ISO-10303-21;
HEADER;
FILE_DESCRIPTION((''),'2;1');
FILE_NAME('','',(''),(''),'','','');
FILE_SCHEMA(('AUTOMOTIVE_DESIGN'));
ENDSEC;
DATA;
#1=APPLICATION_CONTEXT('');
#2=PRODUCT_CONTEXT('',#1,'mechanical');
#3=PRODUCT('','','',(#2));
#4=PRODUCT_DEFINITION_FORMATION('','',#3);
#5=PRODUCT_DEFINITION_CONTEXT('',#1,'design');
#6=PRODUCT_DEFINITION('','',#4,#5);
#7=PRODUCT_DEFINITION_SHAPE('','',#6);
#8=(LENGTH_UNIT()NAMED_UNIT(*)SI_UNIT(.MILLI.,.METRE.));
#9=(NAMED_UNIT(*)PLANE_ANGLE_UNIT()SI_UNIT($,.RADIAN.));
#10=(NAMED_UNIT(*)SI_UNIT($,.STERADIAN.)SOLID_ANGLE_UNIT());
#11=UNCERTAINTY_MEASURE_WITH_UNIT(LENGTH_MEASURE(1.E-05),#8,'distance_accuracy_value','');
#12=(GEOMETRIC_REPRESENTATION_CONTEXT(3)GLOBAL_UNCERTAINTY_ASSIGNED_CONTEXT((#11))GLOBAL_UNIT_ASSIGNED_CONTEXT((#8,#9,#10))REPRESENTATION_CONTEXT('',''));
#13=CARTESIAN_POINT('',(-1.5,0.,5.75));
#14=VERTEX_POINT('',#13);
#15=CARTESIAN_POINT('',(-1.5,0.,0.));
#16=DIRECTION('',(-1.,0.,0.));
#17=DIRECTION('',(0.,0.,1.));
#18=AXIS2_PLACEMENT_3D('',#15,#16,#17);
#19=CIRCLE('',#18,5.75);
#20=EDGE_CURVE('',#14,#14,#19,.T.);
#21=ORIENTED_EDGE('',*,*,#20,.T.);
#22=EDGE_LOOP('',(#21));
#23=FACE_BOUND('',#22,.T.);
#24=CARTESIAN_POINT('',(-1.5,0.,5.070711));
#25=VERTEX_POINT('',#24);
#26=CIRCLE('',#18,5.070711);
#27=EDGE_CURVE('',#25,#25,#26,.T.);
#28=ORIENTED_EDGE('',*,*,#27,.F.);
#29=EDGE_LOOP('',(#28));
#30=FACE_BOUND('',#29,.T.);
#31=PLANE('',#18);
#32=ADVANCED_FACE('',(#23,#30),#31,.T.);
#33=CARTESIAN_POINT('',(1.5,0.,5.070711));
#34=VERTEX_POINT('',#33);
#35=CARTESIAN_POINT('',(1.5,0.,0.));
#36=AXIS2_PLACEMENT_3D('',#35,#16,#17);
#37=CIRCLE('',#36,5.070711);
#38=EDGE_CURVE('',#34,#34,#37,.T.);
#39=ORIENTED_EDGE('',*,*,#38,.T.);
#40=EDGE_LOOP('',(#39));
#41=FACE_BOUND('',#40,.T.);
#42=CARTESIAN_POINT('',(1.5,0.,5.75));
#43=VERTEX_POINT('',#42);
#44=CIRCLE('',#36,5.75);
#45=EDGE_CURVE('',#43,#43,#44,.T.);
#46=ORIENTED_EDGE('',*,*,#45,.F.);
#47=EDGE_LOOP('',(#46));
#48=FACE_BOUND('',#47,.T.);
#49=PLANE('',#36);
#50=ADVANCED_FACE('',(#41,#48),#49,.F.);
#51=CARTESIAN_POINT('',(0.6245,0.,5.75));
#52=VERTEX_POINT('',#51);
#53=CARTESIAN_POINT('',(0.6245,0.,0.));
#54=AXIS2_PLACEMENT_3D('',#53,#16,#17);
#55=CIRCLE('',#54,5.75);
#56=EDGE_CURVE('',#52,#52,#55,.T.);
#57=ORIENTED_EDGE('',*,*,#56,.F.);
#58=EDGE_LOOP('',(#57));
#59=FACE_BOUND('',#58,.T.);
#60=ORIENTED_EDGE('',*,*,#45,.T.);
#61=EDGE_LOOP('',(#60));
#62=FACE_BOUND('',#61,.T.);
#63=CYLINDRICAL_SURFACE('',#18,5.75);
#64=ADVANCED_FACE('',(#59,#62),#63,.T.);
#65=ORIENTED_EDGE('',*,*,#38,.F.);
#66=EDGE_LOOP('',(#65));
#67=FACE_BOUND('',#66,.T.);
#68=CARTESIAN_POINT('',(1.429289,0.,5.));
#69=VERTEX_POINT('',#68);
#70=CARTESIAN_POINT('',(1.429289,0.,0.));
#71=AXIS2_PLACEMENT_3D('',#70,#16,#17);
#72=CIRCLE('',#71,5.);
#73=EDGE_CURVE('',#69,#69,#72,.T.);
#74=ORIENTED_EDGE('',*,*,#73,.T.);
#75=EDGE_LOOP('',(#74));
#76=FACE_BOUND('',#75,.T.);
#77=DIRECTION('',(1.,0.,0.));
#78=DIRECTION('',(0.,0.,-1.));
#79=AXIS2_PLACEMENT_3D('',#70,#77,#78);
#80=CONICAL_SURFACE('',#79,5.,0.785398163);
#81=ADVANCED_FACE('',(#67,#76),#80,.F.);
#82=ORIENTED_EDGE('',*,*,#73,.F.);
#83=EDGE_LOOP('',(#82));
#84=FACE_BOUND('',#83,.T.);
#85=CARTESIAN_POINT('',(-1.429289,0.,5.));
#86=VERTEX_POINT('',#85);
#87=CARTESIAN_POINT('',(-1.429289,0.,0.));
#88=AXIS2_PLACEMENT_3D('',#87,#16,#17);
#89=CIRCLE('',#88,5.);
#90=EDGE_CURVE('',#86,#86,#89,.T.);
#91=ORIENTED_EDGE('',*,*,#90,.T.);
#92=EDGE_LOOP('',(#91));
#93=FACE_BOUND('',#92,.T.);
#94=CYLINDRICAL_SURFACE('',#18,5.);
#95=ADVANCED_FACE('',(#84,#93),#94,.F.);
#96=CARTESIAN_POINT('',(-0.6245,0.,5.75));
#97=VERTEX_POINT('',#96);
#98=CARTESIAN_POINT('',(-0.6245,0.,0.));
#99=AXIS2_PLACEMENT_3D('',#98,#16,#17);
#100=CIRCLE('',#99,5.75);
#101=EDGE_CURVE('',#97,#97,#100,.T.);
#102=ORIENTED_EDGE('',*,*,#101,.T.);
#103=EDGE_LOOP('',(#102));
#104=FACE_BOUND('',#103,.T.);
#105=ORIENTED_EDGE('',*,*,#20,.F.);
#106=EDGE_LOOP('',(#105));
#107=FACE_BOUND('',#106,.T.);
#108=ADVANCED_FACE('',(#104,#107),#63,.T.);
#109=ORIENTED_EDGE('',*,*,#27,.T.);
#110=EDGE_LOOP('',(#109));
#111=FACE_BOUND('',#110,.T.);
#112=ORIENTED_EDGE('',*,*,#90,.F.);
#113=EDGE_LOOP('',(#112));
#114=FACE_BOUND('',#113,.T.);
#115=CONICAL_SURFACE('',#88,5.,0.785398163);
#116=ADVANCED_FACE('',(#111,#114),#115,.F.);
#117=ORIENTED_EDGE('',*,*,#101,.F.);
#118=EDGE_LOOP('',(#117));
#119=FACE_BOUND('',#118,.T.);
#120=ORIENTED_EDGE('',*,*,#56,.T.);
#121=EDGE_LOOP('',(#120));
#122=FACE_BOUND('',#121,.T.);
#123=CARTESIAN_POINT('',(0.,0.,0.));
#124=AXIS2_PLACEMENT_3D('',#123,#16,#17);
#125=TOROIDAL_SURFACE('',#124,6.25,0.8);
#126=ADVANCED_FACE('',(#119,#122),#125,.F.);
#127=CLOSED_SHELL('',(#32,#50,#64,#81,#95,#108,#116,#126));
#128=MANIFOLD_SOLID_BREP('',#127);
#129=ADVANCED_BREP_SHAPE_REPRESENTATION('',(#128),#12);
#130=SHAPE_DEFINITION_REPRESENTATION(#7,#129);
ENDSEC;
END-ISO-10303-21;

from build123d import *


with BuildPart() as part:
    # Szkic1 → Obrót1 (revolve)
    with BuildSketch(Plane.XY, mode=Mode.PRIVATE) as obr_t1_sk:
        with BuildLine():
            Line((-1.429289322, 5), (1.429289322, 5))
            Line((1.429289322, 5), (1.5, 5.070710678))
            Line((1.5, 5.070710678), (1.5, 5.75))
            Line((1.5, 5.75), (0.6244998, 5.75))
            ThreePointArc((0.6244998, 5.75), (0, 5.45), (-0.6244998, 5.75))
            Line((-0.6244998, 5.75), (-1.5, 5.75))
            Line((-1.5, 5.75), (-1.5, 5.070710678))
            Line((-1.5, 5.070710678), (-1.429289322, 5))
        make_face()
    revolve(obr_t1_sk.sketch.rotate(Axis((-1.5, 0, 0), (1, 0, 0)), 90), axis=Axis((-1.5, 0, 0), (1, 0, 0)))


solid = part.part
